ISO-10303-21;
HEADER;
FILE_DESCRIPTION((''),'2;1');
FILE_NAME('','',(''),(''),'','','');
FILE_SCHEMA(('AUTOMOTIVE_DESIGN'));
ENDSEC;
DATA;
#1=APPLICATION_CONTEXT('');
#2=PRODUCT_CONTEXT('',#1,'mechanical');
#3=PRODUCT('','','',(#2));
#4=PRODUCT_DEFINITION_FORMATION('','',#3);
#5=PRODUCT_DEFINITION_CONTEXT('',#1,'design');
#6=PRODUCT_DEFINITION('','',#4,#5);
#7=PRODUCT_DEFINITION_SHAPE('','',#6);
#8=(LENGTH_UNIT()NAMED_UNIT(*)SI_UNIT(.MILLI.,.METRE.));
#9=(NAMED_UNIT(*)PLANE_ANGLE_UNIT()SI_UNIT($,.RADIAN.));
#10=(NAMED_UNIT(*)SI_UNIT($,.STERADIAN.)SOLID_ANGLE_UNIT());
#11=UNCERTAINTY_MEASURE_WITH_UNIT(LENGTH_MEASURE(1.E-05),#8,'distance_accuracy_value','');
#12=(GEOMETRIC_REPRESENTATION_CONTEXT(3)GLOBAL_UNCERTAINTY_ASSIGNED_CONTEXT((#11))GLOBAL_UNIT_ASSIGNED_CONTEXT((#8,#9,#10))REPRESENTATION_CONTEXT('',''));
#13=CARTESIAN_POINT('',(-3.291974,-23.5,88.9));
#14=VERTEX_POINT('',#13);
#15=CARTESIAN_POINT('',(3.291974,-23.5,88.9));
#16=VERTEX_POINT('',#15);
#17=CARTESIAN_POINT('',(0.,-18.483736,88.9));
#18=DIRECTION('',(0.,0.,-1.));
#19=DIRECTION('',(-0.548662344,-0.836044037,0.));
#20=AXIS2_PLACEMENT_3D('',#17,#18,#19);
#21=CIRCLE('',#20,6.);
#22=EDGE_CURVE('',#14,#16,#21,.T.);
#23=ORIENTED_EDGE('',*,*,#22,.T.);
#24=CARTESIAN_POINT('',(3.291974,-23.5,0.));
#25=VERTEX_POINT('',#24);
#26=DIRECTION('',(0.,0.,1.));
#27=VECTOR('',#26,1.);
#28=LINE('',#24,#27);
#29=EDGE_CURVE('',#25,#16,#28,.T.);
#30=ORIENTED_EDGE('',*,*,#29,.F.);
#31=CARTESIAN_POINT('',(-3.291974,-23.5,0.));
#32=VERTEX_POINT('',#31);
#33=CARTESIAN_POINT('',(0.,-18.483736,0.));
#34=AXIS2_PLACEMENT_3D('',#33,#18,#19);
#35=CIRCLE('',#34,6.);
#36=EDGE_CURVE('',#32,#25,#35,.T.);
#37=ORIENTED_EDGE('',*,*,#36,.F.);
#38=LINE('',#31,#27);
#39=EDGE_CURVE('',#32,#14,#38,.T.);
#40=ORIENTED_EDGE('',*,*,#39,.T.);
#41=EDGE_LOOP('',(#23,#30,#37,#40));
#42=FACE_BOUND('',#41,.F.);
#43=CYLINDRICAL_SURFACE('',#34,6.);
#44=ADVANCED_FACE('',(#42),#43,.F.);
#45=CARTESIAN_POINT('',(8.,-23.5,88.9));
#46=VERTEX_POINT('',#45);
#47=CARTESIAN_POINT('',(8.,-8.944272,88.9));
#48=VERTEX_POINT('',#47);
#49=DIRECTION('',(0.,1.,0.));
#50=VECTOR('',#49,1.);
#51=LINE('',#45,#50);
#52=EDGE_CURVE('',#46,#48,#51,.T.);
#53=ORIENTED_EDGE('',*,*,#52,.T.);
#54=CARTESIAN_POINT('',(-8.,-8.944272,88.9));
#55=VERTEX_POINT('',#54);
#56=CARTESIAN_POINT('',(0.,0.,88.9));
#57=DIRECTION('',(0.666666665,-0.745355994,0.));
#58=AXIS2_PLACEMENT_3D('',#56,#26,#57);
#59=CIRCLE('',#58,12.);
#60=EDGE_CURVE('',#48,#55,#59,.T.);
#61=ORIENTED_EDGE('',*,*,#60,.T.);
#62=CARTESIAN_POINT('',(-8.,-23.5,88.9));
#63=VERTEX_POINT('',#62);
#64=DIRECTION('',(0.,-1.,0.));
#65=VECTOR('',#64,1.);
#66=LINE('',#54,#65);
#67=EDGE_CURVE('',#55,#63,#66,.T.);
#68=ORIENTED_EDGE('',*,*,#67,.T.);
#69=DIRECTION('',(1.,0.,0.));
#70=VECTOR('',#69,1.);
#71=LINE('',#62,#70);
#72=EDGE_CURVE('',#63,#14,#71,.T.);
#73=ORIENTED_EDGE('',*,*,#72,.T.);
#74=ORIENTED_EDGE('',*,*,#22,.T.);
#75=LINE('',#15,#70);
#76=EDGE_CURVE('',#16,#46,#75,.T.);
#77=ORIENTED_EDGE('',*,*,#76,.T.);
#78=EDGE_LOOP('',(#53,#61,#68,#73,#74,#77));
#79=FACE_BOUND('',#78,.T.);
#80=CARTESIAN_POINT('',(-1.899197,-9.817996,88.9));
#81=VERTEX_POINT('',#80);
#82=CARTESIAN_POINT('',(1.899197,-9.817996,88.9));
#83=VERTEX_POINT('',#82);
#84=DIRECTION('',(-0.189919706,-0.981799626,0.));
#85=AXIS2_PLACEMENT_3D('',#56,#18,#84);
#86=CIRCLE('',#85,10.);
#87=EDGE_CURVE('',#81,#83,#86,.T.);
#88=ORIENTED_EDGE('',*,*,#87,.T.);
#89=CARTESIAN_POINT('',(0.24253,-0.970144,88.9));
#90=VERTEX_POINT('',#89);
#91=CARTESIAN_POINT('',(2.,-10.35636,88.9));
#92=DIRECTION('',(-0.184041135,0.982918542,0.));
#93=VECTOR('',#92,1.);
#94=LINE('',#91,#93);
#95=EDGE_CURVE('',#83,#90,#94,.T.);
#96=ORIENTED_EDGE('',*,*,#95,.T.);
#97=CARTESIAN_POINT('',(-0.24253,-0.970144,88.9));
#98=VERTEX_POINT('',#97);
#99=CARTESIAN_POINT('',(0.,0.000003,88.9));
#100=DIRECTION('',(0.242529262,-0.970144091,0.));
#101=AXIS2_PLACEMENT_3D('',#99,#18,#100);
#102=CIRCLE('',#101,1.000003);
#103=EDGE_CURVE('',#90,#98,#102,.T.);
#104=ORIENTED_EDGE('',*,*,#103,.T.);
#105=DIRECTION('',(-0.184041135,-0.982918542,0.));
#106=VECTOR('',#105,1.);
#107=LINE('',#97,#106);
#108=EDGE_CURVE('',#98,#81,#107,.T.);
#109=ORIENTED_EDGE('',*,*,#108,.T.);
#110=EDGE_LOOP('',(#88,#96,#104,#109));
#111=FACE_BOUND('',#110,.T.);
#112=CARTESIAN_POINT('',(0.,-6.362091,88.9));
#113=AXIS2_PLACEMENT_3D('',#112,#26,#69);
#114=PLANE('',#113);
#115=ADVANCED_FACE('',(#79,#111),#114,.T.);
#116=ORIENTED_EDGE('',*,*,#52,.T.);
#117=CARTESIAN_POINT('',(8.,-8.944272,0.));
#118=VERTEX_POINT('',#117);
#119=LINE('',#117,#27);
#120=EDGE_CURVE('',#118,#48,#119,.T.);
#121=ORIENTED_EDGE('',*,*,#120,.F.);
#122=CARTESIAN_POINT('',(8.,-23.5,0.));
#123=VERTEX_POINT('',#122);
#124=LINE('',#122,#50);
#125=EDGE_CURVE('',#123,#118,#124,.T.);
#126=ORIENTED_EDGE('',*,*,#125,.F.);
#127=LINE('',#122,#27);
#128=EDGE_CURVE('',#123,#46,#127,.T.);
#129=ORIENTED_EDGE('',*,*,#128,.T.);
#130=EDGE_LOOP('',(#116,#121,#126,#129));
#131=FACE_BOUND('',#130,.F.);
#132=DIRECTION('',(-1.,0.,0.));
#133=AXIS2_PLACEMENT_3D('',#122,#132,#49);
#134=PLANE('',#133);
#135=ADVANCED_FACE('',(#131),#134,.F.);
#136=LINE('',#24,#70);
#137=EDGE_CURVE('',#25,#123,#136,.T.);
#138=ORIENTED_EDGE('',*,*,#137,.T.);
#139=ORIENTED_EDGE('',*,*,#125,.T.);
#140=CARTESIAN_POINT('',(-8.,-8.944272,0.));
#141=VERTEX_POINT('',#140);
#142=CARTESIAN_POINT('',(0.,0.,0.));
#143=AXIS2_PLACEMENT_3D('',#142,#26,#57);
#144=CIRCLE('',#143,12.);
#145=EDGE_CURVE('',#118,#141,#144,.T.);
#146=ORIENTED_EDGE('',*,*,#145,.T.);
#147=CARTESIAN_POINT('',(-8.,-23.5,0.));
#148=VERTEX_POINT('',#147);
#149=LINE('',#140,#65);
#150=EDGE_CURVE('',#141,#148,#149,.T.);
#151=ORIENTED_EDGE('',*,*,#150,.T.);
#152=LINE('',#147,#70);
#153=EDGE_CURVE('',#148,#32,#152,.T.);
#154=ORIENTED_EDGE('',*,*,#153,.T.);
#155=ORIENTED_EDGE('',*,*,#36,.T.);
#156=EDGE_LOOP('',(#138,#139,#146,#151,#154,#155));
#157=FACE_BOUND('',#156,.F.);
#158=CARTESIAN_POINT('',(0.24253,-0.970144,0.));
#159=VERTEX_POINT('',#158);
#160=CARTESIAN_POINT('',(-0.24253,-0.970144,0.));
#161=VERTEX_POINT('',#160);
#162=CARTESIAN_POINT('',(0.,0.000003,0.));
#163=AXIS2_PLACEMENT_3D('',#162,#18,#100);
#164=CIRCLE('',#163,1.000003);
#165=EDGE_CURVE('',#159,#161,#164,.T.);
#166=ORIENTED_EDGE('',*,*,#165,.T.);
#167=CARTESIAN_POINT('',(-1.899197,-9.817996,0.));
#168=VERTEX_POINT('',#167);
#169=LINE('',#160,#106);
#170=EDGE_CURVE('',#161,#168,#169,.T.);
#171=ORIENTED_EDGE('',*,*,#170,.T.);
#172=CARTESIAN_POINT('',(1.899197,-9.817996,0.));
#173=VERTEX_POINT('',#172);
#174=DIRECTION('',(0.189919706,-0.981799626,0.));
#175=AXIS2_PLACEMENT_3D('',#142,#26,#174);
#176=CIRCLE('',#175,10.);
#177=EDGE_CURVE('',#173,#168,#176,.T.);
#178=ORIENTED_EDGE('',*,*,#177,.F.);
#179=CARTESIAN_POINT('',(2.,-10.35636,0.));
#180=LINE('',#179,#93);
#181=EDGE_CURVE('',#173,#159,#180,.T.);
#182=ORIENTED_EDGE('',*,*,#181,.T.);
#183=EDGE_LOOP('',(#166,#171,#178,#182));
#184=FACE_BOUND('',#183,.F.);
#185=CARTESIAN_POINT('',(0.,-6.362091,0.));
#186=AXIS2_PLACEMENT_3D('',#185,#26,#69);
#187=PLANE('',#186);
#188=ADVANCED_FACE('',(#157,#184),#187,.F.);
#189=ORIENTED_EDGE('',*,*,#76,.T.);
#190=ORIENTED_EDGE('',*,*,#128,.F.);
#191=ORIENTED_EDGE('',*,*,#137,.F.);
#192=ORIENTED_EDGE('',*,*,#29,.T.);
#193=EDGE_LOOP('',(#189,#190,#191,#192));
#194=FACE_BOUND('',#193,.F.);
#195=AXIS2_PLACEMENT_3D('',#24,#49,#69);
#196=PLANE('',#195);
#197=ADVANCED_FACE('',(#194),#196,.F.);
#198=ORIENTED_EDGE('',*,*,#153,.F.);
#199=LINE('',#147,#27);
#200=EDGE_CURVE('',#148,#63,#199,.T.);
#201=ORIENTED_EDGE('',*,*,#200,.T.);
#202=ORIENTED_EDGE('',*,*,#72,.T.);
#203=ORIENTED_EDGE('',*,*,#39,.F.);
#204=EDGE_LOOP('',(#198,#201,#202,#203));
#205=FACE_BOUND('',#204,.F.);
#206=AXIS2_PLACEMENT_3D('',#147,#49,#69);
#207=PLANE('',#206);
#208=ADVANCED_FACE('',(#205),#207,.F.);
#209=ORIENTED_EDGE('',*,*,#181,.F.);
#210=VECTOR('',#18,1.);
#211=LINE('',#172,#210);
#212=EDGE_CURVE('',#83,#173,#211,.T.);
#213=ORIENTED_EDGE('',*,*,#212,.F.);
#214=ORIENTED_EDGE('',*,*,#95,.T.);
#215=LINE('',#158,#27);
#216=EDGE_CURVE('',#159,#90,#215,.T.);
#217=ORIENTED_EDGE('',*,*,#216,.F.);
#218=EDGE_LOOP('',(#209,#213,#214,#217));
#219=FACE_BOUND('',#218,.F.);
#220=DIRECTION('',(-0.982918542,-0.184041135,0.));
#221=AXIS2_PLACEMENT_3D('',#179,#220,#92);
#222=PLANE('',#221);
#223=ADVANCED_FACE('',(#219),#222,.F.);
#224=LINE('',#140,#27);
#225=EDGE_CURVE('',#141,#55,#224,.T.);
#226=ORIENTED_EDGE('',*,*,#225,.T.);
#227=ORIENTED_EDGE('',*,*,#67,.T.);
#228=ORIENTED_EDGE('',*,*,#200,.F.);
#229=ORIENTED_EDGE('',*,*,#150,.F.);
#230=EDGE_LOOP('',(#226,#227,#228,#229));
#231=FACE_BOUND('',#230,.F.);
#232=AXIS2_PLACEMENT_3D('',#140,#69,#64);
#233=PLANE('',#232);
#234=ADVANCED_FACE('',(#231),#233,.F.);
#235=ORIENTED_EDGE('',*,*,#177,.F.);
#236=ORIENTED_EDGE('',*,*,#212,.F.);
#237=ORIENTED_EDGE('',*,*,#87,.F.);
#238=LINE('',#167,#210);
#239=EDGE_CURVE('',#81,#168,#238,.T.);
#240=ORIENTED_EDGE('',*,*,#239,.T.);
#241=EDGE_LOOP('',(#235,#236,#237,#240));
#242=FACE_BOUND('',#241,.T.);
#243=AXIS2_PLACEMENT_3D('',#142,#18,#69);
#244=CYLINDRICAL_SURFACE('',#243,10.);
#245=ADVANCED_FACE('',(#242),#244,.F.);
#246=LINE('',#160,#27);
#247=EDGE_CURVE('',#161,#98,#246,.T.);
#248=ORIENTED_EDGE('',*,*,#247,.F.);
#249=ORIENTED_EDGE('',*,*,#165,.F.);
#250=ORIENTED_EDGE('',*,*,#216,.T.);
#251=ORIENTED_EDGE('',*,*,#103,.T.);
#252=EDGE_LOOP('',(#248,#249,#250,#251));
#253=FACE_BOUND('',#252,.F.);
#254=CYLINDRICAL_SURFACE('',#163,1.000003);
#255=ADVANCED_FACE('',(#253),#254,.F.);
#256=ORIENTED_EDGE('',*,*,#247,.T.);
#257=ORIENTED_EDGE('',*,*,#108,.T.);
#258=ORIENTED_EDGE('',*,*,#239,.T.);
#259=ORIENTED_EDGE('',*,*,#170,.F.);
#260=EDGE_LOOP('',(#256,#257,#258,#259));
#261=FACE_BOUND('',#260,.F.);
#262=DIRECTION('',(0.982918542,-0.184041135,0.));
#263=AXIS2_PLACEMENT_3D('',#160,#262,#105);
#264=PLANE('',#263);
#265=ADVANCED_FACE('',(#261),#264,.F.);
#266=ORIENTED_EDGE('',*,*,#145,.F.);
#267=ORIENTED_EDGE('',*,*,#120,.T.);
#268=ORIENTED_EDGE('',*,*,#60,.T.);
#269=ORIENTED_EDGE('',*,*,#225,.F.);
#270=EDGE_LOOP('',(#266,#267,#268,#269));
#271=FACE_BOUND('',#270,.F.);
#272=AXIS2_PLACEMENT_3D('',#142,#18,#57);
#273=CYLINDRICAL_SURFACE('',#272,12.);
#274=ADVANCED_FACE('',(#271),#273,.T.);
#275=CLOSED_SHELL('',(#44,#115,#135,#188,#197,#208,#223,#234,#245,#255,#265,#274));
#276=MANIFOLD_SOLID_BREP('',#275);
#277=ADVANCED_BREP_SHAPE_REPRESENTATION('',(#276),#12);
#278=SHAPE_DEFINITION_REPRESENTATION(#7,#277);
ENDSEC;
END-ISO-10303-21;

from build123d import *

# Parameters (mm, degrees)
F0_R     = 10
F1_DEPTH = 88.9
F3_DEPTH = 88.9


with BuildPart() as f1:
    # F0 (on Top) → F1 (new body)
    with BuildSketch(Plane.XY):
        with BuildLine():
            Line((8, -23.5), (8, -8.944272))
            ThreePointArc((8, -8.944272), (0, 12), (-8, -8.944272))
            Line((-8, -8.944272), (-8, -23.5))
            Line((-8, -23.5), (-3.291974, -23.5))
            ThreePointArc((-3.291974, -23.5), (0, -12.483736), (3.291974, -23.5))
            Line((3.291974, -23.5), (8, -23.5))
        make_face()
        Circle(F0_R, mode=Mode.SUBTRACT)
    extrude(amount=F1_DEPTH)

    # F2 (on Top) → F3 (join, through all)
    with BuildSketch(Plane.XY):
        with BuildLine():
            ThreePointArc((0.24253, -0.970144), (0, -1), (-0.24253, -0.970144))
            Line((-0.24253, -0.970144), (-2, -10.35636))
            Line((-2, -10.35636), (0, -10.35636))
            Line((0, -10.35636), (2, -10.35636))
            Line((2, -10.35636), (0.24253, -0.970144))
        make_face()
    extrude(amount=F3_DEPTH)


solid = f1.part
